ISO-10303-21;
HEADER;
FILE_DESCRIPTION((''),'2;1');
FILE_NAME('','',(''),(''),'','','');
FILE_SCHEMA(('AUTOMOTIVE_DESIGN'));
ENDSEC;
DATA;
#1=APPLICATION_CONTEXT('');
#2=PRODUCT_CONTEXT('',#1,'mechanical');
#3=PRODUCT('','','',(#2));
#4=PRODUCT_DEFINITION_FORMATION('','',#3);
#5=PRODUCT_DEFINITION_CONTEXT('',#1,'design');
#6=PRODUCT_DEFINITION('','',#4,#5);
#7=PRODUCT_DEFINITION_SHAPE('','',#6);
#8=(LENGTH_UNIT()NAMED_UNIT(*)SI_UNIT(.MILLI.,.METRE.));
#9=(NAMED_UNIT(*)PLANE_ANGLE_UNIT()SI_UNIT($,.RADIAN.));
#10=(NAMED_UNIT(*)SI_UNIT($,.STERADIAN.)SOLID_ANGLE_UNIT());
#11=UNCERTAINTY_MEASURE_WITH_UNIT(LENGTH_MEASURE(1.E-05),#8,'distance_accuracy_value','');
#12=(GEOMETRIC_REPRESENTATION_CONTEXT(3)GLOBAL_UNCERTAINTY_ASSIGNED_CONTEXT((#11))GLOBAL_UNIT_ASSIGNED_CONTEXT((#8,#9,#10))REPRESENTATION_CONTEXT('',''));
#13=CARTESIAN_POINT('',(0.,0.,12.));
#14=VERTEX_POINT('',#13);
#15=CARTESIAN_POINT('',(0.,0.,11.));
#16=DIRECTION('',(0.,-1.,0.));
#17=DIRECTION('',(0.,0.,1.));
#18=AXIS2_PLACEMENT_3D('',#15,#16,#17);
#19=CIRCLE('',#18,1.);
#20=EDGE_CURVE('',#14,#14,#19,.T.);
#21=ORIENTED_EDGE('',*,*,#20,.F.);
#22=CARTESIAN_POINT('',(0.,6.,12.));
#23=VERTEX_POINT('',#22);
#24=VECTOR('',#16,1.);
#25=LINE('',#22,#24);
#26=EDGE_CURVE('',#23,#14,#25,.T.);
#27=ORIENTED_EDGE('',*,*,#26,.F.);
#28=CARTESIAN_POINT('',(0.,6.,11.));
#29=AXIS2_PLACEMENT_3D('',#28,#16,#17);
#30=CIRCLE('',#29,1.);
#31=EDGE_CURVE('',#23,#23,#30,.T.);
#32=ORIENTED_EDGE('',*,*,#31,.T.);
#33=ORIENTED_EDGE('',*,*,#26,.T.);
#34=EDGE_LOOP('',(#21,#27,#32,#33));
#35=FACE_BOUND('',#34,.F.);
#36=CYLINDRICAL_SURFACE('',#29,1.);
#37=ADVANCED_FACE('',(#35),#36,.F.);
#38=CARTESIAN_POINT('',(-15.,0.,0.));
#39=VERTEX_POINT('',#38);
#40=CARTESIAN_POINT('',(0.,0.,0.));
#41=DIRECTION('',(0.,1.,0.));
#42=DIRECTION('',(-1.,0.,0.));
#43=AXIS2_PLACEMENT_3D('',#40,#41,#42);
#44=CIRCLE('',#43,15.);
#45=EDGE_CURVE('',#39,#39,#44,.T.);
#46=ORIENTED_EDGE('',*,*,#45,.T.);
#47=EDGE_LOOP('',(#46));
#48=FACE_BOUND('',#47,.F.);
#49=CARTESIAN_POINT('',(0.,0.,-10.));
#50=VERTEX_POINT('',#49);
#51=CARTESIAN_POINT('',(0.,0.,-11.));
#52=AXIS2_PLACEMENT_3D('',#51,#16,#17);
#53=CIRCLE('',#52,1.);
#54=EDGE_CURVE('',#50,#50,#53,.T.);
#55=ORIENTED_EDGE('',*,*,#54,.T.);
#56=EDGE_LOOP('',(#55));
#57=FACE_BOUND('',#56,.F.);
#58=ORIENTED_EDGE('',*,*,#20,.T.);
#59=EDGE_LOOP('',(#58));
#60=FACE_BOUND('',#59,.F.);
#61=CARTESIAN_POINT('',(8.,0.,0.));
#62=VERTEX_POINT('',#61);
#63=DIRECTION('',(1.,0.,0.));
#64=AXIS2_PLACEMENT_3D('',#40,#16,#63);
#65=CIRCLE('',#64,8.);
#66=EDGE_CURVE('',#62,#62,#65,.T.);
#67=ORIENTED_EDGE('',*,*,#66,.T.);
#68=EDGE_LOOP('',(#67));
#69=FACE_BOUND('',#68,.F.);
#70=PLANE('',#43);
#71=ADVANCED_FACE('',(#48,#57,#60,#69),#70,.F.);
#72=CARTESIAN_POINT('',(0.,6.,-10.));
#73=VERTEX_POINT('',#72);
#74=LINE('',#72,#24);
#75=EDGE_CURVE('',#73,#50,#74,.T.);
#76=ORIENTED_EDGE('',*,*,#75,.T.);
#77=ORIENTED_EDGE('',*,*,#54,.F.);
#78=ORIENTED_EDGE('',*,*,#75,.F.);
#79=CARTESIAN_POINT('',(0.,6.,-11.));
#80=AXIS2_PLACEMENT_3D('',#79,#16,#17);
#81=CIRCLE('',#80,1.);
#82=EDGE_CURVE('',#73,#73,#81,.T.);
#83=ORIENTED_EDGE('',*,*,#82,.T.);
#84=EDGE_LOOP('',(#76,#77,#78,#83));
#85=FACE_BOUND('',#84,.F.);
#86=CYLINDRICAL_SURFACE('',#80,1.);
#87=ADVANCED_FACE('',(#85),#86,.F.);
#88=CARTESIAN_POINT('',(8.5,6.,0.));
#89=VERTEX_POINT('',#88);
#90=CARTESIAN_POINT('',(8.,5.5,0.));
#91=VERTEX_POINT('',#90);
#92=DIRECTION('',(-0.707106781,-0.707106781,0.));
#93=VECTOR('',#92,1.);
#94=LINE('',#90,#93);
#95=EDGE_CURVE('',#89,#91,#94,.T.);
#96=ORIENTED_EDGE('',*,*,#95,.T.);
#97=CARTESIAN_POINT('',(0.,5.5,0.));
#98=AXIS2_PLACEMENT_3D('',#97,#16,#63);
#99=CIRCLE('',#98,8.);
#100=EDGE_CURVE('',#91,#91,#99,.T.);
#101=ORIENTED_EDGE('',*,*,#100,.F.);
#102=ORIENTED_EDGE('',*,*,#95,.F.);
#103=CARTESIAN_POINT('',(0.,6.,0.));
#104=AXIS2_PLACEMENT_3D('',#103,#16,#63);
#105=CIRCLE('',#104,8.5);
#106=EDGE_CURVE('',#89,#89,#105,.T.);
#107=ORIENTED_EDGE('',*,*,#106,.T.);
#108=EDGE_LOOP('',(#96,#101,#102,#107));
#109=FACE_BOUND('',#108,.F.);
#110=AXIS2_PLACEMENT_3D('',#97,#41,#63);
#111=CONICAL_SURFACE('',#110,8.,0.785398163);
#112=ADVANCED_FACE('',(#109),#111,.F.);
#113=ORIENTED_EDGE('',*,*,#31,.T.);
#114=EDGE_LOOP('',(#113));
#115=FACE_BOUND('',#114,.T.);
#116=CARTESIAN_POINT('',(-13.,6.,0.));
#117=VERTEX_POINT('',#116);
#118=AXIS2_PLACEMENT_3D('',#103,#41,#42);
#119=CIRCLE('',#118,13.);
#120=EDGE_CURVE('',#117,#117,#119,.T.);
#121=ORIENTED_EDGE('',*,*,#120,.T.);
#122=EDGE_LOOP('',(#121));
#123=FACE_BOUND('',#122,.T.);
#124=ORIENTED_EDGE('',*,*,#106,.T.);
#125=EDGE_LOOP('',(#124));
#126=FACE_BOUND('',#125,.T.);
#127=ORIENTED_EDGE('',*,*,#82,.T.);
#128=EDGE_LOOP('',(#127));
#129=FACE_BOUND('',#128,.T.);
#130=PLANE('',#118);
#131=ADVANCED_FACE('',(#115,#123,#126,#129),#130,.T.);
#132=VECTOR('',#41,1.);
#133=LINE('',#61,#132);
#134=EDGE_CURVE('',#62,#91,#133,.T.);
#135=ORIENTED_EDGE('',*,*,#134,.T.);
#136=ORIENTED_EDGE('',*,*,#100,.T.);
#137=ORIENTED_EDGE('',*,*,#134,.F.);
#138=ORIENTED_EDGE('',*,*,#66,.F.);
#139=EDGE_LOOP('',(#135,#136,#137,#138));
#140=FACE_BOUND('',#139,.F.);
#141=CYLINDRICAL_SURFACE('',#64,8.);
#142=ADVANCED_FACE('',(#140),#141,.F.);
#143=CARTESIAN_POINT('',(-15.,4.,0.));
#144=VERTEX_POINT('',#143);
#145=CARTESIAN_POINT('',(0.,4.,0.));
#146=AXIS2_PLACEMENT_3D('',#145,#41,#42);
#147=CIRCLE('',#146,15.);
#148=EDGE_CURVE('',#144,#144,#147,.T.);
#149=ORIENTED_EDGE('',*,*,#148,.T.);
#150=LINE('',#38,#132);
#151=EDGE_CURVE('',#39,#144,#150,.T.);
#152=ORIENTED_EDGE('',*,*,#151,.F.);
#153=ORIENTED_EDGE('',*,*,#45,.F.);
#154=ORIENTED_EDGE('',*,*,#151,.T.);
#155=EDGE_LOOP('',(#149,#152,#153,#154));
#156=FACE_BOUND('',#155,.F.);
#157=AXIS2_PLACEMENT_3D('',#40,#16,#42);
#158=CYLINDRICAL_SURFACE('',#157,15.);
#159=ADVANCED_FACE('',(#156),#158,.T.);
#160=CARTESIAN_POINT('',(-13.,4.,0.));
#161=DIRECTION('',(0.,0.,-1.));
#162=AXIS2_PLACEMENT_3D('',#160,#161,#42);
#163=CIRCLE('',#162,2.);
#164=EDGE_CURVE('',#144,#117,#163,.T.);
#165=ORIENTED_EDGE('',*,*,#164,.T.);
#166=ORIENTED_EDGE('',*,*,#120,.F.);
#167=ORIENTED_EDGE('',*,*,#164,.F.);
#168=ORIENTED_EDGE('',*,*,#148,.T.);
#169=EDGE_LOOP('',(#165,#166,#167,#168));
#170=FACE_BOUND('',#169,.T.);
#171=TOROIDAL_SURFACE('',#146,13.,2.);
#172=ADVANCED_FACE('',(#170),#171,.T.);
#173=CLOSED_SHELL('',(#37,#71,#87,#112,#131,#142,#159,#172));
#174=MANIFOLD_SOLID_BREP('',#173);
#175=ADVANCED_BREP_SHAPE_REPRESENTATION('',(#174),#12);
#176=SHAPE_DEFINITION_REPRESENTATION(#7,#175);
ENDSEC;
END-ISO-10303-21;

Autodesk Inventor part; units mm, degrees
ref_plane "YZ Plane" through (0, 0, 0) normal (1, 0, 0) x (0, 1, 0)
ref_plane "XZ Plane" through (0, 0, 0) normal (0, 1, 0) x (-1, 0, 0)
ref_plane "XY Plane" through (0, 0, 0) normal (0, 0, 1) x (1, 0, 0)
sketch "Boceto1" plane through (0, 0, 0) normal (0, 1, 0) x (-1, 0, 0)
  circle A0 centre (0, 0) radius 15
  dimension "d0" = 30
extrude "Extrusión1" add sketch "Boceto1" along normal blind 6
sketch "Boceto2" plane through (0, 0, 0) normal (0, -1, 0) x (1, 0, 0)
  circle A0 centre (0, 0) radius 8
  dimension "d3" = 16
extrude "Extrusión2" cut sketch "Boceto2" against normal through all
fillet "Empalme1" radius 2 1 edges at (15, 6, 0)
chamfer "Chaflán1" distance 0.5 angle 45 1 edges at (-8, 6, 0)
sketch "Boceto3" plane through (0, 6, 0) normal (0, 1, 0) x (1, 0, 0)
  circle A0 centre (0, 0) radius 13 projected
  circle A1 centre (0, 0) radius 11 construction
  point P0 (0, 11)
  point P1 (0, -11)
  dimension "d10" = 2
hole "Agujero1" at (0, 6, -11) at (0, 6, 11) direction (0, -1, 0) diameter 2 end through all
properties part number "wheel_washer" material "Aluminio 6061"
